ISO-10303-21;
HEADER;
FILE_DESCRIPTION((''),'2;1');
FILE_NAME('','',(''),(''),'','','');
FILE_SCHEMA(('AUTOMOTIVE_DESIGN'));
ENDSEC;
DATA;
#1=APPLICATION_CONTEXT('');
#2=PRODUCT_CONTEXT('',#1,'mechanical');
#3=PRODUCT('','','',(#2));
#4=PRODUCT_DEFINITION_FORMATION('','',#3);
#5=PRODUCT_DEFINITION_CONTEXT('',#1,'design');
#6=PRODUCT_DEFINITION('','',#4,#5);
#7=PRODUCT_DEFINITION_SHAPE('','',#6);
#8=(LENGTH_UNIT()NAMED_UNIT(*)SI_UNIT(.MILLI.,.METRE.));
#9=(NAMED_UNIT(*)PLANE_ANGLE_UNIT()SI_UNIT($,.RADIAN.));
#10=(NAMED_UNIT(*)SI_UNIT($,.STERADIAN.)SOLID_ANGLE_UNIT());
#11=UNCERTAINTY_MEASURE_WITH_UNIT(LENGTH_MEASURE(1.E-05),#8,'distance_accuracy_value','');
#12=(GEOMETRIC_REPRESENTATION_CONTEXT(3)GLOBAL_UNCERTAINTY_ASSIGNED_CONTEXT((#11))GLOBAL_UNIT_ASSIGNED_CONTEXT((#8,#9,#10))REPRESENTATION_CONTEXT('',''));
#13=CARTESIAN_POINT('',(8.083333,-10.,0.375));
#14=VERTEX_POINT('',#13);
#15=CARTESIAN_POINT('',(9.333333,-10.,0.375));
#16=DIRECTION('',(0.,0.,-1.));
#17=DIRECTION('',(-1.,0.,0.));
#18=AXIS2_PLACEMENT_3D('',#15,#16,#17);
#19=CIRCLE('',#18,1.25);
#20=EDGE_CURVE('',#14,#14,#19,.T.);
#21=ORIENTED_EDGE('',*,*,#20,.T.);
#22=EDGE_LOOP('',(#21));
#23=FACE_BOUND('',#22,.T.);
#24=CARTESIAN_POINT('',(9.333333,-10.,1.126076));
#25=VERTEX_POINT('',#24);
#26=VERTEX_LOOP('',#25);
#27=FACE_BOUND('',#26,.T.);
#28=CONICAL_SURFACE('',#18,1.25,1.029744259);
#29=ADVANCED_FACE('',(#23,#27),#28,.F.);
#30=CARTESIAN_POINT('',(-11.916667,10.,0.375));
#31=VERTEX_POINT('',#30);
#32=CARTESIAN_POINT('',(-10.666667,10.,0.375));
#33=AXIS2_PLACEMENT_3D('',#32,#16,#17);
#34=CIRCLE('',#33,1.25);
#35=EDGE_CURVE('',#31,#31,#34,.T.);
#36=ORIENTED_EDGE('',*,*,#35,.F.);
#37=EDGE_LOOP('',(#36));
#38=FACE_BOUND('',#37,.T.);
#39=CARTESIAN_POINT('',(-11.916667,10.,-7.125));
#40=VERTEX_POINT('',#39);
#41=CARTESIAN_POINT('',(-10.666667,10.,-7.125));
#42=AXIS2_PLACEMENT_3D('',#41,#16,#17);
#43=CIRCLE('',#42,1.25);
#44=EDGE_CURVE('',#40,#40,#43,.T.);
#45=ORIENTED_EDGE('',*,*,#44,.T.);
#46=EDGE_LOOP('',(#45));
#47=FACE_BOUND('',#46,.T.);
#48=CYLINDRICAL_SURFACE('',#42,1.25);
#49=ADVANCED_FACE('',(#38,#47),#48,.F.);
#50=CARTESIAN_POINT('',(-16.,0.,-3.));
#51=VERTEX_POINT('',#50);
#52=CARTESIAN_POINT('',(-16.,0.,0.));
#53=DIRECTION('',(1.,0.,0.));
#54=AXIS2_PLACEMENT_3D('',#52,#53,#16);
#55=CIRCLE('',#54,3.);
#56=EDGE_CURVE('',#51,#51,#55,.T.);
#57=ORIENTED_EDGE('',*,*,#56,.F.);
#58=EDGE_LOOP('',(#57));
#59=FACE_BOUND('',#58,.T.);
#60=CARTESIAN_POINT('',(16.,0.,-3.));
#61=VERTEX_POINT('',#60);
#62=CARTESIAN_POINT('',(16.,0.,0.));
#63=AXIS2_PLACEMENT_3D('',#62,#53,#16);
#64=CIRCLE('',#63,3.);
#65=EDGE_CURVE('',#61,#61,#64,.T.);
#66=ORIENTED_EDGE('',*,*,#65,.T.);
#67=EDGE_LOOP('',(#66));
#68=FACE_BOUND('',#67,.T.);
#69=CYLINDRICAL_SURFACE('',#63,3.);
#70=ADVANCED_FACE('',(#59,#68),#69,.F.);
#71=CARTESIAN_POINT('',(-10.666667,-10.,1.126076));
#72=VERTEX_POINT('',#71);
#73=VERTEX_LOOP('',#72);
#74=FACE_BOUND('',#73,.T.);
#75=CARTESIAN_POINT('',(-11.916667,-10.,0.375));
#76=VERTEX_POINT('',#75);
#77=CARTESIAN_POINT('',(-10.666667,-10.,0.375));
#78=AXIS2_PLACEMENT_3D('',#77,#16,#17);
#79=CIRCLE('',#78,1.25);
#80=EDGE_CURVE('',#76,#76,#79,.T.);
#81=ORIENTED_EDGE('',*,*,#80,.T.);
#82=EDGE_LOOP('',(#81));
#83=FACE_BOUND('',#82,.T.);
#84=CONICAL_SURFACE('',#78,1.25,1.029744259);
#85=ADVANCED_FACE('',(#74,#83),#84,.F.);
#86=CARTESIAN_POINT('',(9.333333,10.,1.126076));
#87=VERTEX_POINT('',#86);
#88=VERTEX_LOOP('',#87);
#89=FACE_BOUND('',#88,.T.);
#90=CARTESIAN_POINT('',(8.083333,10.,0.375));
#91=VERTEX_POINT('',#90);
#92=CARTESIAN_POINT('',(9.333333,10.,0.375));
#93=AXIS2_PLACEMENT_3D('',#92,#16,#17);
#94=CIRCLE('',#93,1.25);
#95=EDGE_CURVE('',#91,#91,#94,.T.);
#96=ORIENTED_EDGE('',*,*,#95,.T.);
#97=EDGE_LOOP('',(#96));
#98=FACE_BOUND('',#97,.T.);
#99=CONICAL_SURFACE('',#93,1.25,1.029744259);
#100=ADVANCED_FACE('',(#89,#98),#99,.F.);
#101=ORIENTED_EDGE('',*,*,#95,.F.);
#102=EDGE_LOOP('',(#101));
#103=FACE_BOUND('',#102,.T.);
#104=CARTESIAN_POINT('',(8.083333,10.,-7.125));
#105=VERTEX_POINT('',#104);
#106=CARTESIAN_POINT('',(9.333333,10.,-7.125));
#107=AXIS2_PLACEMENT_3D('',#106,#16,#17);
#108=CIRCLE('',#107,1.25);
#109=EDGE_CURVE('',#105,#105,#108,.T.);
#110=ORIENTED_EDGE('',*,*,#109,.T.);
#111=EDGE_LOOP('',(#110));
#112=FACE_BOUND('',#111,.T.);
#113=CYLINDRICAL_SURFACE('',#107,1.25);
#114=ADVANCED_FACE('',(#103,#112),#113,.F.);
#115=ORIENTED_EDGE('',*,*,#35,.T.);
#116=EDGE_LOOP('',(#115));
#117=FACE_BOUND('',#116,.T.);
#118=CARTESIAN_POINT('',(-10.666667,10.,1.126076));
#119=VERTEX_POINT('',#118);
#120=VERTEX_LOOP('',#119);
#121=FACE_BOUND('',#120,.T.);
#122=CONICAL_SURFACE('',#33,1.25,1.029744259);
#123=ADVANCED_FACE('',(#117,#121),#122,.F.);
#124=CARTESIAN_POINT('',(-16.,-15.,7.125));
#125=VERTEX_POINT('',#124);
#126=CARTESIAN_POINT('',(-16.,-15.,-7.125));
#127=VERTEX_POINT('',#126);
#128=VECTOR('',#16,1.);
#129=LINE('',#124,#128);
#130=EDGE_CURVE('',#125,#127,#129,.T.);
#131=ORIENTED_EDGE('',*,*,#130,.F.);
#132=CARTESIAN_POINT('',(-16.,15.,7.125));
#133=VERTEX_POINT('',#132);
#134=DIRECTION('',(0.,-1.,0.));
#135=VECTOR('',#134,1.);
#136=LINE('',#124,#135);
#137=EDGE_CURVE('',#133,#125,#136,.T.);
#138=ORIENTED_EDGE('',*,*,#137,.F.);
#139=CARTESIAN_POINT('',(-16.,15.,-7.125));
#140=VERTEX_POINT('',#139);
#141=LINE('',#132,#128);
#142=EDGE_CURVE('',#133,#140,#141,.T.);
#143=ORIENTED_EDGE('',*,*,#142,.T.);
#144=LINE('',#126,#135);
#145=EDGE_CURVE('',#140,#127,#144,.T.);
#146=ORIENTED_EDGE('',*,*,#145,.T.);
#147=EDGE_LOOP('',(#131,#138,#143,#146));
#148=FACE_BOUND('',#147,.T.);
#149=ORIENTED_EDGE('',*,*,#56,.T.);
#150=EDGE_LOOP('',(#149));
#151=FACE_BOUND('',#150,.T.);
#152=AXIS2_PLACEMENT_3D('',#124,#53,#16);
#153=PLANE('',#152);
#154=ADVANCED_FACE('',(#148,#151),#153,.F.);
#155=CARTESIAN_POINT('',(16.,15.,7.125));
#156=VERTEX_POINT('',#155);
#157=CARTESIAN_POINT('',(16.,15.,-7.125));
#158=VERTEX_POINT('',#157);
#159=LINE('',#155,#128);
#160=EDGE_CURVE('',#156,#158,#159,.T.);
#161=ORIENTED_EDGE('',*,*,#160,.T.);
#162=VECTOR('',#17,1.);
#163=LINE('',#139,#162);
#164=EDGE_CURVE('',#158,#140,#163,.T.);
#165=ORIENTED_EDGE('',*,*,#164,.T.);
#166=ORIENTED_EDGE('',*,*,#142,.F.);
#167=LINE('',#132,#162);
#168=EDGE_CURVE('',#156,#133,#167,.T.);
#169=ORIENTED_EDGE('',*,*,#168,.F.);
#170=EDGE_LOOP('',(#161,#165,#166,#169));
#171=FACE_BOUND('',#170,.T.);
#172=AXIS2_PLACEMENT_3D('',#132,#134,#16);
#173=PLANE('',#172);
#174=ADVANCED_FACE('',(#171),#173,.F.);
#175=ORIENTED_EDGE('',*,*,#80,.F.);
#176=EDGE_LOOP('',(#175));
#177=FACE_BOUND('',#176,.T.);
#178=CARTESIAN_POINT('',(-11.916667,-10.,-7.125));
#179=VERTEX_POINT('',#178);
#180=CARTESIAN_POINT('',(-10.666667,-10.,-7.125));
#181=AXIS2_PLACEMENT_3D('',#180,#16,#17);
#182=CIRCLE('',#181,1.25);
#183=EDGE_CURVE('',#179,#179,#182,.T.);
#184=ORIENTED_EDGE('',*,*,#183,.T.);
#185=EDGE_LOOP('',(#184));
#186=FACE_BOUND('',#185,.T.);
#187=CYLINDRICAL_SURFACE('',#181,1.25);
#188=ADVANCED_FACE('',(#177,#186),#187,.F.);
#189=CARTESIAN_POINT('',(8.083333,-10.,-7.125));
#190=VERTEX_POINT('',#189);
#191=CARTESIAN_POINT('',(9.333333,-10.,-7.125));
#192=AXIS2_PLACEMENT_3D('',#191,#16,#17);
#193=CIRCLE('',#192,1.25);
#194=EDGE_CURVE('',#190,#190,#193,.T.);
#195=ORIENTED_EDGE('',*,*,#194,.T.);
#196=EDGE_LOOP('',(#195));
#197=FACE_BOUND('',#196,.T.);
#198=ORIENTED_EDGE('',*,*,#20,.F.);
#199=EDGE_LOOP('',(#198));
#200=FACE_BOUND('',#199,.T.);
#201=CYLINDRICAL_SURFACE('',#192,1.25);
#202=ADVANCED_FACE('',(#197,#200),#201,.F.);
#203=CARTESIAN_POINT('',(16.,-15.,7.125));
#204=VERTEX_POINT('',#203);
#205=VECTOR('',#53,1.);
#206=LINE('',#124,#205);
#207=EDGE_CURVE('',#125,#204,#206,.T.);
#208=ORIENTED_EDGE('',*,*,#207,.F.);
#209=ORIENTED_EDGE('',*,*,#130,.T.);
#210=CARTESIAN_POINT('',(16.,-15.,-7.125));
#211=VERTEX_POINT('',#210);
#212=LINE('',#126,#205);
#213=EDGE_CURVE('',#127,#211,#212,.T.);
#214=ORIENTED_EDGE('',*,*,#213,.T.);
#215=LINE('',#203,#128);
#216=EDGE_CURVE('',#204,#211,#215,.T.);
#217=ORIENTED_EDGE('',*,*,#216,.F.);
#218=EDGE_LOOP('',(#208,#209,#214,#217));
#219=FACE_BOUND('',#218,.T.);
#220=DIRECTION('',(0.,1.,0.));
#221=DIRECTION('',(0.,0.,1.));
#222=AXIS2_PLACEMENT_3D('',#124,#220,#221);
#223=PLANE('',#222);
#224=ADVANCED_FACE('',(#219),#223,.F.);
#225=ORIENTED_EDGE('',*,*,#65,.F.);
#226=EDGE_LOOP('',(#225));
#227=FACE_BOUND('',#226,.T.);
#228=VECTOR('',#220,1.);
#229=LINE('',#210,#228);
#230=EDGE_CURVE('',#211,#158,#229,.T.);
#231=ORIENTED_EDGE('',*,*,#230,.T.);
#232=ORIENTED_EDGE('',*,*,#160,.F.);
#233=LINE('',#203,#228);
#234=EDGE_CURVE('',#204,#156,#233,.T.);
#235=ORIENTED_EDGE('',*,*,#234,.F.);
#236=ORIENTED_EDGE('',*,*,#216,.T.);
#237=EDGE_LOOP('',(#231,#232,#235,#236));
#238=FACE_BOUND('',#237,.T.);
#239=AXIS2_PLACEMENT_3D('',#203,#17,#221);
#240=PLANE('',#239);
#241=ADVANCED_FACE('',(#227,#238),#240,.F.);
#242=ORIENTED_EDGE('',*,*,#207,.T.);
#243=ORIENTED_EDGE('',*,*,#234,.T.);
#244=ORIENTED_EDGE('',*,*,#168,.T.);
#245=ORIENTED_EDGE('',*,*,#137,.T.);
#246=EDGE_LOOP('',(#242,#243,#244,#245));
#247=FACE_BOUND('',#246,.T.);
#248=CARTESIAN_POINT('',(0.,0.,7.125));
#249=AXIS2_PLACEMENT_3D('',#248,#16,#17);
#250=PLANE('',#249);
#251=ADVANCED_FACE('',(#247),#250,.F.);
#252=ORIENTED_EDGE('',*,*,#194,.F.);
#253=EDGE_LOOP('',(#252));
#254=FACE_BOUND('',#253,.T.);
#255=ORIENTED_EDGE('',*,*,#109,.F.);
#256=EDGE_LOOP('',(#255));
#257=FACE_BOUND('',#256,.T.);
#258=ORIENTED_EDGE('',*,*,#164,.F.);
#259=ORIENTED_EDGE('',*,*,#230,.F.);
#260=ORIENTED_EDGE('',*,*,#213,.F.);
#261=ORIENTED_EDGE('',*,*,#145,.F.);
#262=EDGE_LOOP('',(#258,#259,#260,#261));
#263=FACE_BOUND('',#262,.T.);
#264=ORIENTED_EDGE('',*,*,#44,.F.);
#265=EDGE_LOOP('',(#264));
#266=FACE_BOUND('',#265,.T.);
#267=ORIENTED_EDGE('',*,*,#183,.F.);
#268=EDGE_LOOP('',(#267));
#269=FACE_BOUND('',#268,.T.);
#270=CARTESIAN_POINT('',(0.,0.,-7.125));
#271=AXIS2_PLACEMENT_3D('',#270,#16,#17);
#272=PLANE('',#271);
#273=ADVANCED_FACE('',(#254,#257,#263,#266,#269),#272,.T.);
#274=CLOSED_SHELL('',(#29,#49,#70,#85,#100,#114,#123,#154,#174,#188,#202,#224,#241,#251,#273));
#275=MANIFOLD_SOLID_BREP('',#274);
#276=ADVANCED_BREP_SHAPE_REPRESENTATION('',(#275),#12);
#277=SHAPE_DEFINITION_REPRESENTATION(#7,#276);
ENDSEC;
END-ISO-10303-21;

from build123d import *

# Parameters (mm, degrees)
SKETCH1_W                 = 32
SKETCH1_H                 = 30
BOSS_EXTRUDE1_DEPTH       = 7.125
M3X0_5_TAPPED_HOLE1_D     = 2.5
M3X0_5_TAPPED_HOLE1_DEPTH = 7.5
M3X0_5_TAPPED_HOLE1_TIP   = 0.751075774
M6X1_0_TAPPED_HOLE1_D     = 6


with BuildPart() as part:
    # Sketch1 → Boss-Extrude1 (new, symmetric)
    with BuildSketch(Plane.XY):
        Rectangle(SKETCH1_W, SKETCH1_H)
    extrude(amount=BOSS_EXTRUDE1_DEPTH, both=True)

    # M3x0.5 Tapped Hole1
    with Locations(Plane(origin=(0, 0, -7.125), x_dir=(-1, 0, 0), z_dir=(0, 0, -1))):
        with Locations((-9.333333333, 10), (10.666666667, 10), (10.666666667, -10), (-9.333333333, -10)):
            Hole(M3X0_5_TAPPED_HOLE1_D / 2, depth=M3X0_5_TAPPED_HOLE1_DEPTH)
            with Locations((0, 0, -(M3X0_5_TAPPED_HOLE1_DEPTH + M3X0_5_TAPPED_HOLE1_TIP / 2))):  # 118° drill point
                Cone(0, M3X0_5_TAPPED_HOLE1_D / 2, M3X0_5_TAPPED_HOLE1_TIP, mode=Mode.SUBTRACT)

    # M6x1.0 Tapped Hole1 (through all)
    with Locations(Plane(origin=(16, 0, 0), x_dir=(0, 0, -1), z_dir=(1, 0, 0))):
        with Locations((0, 0)):
            Hole(M6X1_0_TAPPED_HOLE1_D / 2)


solid = part.part
